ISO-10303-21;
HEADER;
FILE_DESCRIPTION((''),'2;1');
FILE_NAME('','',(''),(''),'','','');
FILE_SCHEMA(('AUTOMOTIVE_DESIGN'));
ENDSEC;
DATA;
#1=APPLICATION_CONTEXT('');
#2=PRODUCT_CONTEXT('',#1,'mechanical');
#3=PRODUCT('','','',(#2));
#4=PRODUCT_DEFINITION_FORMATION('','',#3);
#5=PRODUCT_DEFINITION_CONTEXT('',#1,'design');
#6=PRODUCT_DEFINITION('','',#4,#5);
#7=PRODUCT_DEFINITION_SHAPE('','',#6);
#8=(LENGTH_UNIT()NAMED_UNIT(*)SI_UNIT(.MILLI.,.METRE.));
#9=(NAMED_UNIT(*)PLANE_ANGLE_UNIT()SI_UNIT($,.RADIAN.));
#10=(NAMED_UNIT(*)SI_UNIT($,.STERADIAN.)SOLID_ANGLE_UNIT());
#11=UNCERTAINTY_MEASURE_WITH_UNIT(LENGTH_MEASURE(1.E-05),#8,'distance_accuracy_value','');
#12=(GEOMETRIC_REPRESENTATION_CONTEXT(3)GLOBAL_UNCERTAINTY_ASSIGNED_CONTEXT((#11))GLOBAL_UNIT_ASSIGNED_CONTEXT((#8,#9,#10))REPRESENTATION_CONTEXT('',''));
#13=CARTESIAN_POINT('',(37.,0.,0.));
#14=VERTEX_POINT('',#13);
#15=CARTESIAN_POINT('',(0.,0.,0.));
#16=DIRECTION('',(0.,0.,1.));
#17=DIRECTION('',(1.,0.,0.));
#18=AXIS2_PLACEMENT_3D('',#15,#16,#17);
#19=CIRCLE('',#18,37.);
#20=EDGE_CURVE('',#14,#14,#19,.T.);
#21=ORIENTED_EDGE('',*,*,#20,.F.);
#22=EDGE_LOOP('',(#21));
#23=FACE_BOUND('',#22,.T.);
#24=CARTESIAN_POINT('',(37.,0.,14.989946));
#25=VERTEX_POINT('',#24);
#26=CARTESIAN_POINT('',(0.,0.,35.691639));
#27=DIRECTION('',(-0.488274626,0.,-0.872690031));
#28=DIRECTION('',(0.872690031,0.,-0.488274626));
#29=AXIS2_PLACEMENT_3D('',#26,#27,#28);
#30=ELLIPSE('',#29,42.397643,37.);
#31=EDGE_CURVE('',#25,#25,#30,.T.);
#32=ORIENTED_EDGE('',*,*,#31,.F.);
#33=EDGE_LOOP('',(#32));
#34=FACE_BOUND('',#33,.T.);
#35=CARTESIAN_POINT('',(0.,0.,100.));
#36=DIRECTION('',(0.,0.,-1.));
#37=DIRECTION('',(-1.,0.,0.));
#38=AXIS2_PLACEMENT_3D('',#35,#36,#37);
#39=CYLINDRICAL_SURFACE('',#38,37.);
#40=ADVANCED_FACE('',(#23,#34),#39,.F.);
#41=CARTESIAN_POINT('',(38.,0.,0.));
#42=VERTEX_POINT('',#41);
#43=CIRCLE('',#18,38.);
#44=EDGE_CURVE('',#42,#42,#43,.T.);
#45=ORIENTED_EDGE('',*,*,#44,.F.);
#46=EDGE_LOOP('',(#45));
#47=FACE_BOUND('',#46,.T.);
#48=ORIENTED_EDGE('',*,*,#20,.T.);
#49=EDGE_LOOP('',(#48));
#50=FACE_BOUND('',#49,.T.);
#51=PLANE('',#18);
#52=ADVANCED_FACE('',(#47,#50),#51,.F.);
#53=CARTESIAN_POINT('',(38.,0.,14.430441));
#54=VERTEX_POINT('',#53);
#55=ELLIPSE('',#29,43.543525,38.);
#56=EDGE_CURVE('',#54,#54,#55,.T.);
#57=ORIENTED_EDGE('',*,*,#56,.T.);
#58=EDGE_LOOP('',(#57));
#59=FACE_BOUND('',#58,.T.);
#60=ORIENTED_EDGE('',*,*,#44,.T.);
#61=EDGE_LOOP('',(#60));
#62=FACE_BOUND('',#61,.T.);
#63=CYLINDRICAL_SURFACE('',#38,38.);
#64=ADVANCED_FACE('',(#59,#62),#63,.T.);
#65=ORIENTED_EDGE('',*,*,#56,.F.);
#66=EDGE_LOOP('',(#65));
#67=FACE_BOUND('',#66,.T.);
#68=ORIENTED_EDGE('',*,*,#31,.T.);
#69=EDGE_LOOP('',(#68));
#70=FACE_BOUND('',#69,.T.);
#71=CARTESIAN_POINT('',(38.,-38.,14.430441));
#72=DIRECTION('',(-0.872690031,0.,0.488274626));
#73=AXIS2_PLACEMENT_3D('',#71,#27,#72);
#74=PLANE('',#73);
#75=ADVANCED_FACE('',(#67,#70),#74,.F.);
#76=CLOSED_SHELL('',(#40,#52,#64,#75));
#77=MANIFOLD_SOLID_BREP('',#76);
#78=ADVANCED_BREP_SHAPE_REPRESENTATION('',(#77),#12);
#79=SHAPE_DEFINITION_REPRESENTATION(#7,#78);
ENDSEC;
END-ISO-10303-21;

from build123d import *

# Parameters (mm, degrees)
SKETCH1_R               = 38
SKETCH1_R_2             = 37
BOSS_EXTRUDE1_DEPTH     = 100
CUT_EXTRUDE1_DEPTH      = 114.525327571
CUT_EXTRUDE1_DEPTH_BACK = 114.525327571


with BuildPart() as part:
    # Sketch1 → Boss-Extrude1 (new body)
    with BuildSketch(Plane.XY):
        Circle(SKETCH1_R)
        Circle(SKETCH1_R_2, mode=Mode.SUBTRACT)
    extrude(amount=BOSS_EXTRUDE1_DEPTH)

    # Sketch2 → Cut-Extrude1 (cut, two sides: drawn at the far end of the back side and taken through both)
    with BuildSketch(Plane(origin=(0, 0, 0), x_dir=(1, 0, 0), z_dir=(0, 1, 0)).offset(-CUT_EXTRUDE1_DEPTH_BACK)):
        Polygon((-38, -56.952837679), (-53.951830264, -56.952837679), (-53.951830264, -117.98330843), (80.738173953, -117.98330843), (80.738173953, -14.430441154), (38, -14.430441154), align=None)
    extrude(amount=CUT_EXTRUDE1_DEPTH + CUT_EXTRUDE1_DEPTH_BACK, mode=Mode.SUBTRACT)


solid = part.part
